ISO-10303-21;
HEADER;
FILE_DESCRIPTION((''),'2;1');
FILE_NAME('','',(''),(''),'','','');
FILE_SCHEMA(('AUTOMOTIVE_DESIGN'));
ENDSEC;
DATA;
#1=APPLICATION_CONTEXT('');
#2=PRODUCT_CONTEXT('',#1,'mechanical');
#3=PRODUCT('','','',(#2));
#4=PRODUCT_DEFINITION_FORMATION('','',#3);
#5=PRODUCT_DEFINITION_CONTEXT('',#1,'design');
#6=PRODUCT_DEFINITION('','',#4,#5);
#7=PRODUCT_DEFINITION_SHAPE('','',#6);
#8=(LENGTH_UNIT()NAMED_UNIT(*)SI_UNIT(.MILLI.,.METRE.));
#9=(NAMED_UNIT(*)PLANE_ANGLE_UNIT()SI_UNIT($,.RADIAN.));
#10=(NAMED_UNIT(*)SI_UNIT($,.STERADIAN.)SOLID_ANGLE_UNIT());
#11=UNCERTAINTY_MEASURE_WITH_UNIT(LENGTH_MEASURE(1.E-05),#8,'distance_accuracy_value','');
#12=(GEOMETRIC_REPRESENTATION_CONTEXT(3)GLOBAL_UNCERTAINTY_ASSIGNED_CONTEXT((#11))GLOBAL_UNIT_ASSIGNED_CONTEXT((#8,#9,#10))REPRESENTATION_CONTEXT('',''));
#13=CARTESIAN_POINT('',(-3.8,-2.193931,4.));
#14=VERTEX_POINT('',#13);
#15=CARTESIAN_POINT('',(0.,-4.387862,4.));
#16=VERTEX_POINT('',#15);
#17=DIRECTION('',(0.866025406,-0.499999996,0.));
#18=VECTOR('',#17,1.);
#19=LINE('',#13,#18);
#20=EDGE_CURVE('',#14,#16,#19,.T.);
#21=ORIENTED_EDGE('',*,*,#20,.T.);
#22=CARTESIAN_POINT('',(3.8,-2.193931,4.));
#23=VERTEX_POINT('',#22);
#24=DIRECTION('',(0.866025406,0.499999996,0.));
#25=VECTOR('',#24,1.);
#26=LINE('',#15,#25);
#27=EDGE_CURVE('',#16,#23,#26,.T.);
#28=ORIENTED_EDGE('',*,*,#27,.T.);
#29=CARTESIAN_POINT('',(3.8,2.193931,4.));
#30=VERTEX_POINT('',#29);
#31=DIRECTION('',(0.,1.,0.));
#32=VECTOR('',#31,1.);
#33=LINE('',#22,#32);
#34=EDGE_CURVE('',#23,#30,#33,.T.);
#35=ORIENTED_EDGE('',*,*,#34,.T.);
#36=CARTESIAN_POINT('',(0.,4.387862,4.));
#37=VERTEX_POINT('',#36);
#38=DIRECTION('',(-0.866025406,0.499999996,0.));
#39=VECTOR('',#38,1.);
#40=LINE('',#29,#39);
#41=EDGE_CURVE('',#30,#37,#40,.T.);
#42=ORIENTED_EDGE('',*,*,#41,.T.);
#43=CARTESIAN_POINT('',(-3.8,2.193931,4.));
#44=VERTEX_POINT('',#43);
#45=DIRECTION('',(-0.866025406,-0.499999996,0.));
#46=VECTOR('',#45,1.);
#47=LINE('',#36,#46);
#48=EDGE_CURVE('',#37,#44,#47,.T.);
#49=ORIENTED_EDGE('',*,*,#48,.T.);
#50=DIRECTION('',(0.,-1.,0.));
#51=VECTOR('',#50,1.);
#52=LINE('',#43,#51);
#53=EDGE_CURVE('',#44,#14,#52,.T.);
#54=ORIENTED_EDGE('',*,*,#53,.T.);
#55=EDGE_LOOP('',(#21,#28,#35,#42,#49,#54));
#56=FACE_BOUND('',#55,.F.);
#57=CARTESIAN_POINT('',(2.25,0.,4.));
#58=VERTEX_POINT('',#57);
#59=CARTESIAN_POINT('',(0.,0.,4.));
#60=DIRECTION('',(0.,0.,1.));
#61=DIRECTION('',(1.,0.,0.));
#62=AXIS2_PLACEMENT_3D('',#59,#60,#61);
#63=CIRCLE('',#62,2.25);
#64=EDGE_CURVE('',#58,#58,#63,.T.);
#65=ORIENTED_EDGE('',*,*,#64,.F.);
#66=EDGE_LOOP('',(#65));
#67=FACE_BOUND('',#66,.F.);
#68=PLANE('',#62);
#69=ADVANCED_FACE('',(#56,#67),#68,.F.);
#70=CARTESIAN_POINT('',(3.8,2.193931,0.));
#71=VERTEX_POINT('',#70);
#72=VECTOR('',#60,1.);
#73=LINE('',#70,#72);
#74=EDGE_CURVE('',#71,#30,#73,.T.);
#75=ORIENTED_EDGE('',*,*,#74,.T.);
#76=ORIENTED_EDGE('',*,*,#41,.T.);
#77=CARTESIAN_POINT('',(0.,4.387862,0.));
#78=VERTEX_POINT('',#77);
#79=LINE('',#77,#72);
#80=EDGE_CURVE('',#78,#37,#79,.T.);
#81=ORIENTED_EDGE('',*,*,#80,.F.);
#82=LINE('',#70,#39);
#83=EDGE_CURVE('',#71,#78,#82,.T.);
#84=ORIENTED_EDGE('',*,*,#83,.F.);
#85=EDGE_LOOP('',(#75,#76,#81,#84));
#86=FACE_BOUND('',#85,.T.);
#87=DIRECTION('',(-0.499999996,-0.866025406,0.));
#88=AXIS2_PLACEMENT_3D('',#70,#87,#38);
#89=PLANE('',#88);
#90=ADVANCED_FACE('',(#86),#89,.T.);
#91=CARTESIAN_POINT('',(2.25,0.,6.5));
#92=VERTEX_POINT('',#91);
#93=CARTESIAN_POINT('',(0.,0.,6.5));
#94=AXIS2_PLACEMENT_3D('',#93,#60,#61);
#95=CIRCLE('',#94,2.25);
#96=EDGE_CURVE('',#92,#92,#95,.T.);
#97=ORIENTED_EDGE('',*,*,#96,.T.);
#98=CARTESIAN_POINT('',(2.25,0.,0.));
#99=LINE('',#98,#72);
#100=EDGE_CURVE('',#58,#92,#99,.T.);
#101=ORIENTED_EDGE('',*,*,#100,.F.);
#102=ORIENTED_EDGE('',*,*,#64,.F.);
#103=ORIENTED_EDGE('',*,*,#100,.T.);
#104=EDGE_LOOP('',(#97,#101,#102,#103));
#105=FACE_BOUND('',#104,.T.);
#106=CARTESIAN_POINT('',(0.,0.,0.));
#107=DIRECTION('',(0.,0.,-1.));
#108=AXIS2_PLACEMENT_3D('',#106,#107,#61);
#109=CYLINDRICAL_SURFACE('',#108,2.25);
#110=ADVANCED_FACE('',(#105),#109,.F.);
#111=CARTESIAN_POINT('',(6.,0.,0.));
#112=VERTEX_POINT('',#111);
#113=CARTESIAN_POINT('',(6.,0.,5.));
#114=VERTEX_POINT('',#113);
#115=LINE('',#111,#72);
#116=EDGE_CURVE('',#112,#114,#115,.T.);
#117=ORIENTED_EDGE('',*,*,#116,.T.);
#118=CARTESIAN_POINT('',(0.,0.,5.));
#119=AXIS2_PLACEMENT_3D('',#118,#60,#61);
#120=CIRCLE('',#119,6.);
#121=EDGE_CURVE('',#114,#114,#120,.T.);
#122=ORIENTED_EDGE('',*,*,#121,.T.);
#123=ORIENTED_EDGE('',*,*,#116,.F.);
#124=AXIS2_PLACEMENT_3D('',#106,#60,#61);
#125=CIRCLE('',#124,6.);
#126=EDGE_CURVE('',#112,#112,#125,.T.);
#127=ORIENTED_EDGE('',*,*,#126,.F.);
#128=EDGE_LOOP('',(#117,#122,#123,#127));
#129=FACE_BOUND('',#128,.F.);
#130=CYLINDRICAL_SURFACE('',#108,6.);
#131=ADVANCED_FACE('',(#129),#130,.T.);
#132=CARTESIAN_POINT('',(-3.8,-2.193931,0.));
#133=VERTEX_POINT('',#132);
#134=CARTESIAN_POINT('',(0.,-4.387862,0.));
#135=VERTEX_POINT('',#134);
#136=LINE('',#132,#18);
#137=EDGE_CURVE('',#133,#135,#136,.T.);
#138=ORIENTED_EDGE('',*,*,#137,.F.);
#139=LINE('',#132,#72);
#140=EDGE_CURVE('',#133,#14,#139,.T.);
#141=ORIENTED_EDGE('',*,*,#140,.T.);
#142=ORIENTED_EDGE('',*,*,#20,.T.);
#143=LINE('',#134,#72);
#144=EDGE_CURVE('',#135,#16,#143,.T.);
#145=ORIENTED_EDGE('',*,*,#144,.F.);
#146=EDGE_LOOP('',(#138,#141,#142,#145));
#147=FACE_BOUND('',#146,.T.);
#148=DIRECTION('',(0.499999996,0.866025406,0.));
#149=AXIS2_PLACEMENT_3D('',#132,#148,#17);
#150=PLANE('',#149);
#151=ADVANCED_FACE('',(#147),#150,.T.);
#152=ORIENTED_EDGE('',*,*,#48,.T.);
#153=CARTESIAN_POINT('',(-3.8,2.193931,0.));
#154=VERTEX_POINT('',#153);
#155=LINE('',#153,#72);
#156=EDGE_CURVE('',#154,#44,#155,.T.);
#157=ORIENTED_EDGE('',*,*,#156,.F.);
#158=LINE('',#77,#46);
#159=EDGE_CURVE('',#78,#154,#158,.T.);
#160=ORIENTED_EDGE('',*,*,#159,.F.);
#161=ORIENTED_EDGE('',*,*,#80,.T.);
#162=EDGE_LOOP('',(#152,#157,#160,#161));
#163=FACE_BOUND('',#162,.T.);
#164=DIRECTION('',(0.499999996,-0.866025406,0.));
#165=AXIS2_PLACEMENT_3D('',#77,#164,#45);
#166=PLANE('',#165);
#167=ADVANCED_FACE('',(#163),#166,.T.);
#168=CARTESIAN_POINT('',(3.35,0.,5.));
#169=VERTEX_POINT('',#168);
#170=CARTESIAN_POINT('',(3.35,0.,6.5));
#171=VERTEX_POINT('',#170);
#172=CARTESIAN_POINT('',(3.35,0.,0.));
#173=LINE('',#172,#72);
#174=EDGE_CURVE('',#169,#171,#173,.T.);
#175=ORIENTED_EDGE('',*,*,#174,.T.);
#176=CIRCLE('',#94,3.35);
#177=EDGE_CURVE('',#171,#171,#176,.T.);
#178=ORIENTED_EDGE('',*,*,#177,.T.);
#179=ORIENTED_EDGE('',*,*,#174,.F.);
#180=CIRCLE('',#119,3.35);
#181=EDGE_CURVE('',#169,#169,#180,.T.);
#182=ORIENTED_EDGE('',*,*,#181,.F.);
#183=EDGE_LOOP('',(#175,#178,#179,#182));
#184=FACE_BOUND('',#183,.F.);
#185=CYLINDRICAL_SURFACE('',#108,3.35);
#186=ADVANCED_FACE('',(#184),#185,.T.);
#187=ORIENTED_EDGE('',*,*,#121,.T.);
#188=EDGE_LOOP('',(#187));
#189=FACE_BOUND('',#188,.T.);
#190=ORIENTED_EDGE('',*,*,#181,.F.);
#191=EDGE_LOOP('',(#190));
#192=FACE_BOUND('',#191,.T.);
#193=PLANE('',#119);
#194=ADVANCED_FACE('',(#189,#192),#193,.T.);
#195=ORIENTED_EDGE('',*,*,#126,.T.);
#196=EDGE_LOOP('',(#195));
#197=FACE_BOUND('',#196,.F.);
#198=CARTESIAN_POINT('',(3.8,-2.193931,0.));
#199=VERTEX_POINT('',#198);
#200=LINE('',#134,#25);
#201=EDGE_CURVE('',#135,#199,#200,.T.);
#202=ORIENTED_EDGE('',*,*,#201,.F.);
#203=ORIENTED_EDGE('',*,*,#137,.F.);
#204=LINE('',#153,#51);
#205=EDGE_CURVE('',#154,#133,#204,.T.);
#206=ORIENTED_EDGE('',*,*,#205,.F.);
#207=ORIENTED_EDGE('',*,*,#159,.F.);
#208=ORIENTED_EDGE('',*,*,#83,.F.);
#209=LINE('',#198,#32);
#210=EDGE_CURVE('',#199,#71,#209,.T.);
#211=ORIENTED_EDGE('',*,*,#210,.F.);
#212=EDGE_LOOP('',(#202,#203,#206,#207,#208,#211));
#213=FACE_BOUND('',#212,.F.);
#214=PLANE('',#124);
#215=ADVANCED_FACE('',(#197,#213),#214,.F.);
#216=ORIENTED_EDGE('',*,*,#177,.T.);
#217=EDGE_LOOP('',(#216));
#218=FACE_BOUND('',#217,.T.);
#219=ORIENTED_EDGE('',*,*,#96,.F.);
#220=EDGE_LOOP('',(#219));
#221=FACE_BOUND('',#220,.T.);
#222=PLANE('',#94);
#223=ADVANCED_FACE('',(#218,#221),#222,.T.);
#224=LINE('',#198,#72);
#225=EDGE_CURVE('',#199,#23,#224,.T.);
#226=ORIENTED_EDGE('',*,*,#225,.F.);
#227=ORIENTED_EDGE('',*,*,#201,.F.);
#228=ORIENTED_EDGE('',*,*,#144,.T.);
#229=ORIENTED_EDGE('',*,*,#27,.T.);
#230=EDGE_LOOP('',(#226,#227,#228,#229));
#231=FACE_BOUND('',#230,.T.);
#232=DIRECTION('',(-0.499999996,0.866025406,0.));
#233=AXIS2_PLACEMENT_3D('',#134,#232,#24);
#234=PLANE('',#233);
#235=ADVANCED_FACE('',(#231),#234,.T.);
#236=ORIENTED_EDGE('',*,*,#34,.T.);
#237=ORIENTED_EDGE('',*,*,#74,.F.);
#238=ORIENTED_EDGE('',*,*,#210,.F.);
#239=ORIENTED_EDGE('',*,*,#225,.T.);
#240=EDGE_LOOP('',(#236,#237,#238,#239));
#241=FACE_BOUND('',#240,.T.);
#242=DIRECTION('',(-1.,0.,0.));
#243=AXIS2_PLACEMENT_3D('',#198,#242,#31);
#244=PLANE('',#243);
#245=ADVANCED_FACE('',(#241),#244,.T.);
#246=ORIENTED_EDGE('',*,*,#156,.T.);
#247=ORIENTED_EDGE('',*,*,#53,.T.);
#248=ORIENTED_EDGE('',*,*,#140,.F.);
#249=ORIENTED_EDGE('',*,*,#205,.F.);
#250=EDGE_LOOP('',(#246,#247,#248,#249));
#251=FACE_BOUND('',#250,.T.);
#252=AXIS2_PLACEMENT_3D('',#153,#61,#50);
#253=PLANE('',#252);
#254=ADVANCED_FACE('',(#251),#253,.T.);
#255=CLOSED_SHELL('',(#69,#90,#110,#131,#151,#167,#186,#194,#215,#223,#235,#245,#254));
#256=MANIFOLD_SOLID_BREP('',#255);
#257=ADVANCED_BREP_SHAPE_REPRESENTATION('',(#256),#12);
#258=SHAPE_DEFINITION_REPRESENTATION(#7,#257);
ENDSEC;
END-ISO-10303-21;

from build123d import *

# Parameters (mm, degrees)
F0_R     = 3.35
F0_R_2   = 2.25
F1_DEPTH = 6.5
F0_R_3   = 6
F2_DEPTH = 5
F3_R     = 3.35
F4_DEPTH = 4


with BuildPart() as f1:
    # F0 (on Top) → F1 (new body)
    with BuildSketch(Plane.XY):
        Circle(F0_R)
        Circle(F0_R_2, mode=Mode.SUBTRACT)
    extrude(amount=F1_DEPTH)

    # F0 (on Top) → F2 (join)
    with BuildSketch(Plane.XY):
        Circle(F0_R_3)
        Circle(F0_R, mode=Mode.SUBTRACT)
    extrude(amount=F2_DEPTH)

    # F3 (on face) + F0 (on Top) → F4 (cut)
    with BuildSketch(Plane.XY):
        Polygon((3.8, 2.193931), (0, 4.387862), (-3.8, 2.193931), (-3.8, -2.193931), (0, -4.387862), (3.8, -2.193931), align=None)
        Circle(F3_R, mode=Mode.SUBTRACT)
    with BuildSketch(Plane.XY):
        Circle(F0_R)
        Circle(F0_R_2, mode=Mode.SUBTRACT)
    extrude(amount=F4_DEPTH, mode=Mode.SUBTRACT)


solid = f1.part
